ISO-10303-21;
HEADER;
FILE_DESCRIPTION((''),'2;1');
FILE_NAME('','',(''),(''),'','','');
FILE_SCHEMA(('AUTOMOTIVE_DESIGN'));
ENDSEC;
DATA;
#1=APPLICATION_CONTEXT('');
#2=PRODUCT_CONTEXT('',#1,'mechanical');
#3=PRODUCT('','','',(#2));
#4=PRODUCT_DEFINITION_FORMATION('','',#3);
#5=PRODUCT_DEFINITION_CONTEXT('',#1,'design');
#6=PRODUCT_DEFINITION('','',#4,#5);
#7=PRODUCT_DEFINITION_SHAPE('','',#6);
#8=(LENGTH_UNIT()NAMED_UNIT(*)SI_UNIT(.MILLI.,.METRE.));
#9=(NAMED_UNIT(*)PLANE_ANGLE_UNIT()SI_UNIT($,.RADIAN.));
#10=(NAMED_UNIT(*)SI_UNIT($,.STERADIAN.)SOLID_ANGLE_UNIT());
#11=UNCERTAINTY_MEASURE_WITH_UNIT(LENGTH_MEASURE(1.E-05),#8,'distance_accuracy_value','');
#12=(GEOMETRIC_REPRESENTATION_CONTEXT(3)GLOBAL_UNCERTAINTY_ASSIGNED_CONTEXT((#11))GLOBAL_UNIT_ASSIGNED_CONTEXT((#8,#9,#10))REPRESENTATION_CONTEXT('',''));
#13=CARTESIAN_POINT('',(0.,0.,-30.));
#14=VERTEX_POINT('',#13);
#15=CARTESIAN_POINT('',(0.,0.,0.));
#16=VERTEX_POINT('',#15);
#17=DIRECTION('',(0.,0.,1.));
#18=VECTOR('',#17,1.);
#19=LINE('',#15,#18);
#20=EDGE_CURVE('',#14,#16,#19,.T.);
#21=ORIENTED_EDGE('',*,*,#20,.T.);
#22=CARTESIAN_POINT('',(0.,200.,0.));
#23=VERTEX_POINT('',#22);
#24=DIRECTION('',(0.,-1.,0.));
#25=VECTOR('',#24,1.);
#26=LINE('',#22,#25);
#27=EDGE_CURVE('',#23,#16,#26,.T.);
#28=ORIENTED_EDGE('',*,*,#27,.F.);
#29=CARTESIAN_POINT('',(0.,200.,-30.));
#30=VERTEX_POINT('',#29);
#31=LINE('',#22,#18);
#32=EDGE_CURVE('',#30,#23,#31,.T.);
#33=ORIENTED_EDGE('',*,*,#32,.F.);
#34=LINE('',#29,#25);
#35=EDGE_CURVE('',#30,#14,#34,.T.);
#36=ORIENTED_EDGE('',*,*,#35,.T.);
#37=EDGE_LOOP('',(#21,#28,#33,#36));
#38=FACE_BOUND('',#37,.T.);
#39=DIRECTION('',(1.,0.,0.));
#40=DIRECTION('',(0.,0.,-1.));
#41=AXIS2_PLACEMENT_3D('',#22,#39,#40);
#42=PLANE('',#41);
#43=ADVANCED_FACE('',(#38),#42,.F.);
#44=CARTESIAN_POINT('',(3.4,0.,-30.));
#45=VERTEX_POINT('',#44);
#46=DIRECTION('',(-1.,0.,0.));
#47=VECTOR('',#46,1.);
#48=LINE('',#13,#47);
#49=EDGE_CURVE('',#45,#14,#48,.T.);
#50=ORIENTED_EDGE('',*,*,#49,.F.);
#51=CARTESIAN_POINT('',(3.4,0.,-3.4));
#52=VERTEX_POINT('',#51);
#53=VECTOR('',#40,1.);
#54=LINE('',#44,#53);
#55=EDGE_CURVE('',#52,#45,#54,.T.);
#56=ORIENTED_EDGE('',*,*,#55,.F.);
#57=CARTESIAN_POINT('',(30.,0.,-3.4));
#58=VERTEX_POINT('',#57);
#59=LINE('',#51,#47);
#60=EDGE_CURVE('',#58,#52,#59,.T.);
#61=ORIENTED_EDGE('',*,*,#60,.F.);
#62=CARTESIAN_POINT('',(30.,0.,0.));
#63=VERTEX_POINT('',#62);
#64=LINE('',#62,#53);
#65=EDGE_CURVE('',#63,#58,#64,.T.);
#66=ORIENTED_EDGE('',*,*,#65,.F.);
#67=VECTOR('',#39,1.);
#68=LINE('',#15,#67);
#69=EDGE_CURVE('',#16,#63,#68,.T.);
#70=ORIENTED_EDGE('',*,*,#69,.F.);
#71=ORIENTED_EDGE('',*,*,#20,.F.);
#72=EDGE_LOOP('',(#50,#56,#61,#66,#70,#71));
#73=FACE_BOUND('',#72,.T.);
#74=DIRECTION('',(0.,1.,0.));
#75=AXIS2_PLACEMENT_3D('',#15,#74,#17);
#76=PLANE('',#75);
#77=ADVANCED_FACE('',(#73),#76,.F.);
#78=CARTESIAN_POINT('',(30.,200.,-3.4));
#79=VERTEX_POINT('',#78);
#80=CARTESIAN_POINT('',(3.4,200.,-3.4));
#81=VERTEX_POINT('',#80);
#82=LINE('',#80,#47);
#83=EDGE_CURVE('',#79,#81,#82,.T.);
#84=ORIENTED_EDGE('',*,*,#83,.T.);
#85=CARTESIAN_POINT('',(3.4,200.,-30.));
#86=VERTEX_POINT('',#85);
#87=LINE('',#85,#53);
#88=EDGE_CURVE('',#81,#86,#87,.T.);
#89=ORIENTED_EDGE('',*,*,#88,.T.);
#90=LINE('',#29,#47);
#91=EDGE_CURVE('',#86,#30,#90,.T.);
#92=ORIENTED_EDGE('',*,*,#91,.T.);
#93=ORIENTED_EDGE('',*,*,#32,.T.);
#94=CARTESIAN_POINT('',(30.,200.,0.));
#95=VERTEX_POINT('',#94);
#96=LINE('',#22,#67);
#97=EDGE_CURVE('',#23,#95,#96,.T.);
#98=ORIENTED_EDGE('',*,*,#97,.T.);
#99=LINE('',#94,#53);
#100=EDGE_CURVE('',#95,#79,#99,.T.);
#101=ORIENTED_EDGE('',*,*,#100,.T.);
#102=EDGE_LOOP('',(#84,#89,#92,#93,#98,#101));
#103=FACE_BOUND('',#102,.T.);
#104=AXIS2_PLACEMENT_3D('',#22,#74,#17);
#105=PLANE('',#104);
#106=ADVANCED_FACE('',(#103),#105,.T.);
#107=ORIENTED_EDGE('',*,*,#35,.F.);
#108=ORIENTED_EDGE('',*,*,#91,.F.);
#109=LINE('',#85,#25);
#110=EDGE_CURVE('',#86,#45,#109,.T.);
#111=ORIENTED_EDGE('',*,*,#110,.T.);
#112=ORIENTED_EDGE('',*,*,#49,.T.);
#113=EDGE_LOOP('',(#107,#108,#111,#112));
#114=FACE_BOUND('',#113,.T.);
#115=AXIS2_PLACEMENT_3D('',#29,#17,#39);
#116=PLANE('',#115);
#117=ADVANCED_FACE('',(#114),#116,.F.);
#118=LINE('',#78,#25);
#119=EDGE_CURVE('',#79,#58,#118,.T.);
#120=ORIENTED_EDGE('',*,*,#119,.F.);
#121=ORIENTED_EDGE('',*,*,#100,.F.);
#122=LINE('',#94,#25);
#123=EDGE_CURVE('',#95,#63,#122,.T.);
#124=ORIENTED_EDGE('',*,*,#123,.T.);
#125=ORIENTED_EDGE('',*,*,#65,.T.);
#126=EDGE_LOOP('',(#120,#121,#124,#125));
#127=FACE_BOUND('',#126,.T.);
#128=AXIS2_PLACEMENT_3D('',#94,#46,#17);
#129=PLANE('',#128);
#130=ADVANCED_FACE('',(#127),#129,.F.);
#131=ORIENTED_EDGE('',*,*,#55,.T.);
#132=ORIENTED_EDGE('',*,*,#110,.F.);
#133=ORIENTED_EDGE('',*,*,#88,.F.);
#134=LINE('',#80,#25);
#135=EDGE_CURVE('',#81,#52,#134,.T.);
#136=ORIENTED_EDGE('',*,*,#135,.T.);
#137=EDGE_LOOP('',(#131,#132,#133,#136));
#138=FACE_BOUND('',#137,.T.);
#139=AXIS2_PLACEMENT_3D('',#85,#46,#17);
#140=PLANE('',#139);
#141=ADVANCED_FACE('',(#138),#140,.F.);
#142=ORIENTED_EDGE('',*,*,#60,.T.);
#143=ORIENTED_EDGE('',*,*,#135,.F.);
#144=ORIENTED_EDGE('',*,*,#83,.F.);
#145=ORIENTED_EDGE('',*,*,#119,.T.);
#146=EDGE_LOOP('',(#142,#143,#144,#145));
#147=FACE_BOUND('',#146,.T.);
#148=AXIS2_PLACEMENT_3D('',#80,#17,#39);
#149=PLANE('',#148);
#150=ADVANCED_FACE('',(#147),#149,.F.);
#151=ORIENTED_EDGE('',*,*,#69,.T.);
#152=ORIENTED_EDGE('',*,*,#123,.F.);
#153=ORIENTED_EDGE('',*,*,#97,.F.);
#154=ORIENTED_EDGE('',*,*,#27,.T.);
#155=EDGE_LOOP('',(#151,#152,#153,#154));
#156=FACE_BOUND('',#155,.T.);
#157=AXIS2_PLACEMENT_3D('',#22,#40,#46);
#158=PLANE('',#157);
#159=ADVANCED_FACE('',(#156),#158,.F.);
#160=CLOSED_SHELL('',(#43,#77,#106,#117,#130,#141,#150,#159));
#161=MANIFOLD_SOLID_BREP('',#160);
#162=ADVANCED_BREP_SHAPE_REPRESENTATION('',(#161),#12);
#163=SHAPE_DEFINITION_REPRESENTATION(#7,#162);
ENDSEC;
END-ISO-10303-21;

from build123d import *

# Parameters (mm, degrees)
BOSS_EXTRUDE1_DEPTH = 200


with BuildPart() as part:
    # Sketch1 → Boss-Extrude1 (new body)
    with BuildSketch(Plane(origin=(0, 0, 0), x_dir=(1, 0, 0), z_dir=(0, 1, 0))):
        Polygon((0, 0), (0, 30), (3.4, 30), (3.4, 3.4), (30, 3.4), (30, 0), align=None)
    extrude(amount=BOSS_EXTRUDE1_DEPTH)


solid = part.part
